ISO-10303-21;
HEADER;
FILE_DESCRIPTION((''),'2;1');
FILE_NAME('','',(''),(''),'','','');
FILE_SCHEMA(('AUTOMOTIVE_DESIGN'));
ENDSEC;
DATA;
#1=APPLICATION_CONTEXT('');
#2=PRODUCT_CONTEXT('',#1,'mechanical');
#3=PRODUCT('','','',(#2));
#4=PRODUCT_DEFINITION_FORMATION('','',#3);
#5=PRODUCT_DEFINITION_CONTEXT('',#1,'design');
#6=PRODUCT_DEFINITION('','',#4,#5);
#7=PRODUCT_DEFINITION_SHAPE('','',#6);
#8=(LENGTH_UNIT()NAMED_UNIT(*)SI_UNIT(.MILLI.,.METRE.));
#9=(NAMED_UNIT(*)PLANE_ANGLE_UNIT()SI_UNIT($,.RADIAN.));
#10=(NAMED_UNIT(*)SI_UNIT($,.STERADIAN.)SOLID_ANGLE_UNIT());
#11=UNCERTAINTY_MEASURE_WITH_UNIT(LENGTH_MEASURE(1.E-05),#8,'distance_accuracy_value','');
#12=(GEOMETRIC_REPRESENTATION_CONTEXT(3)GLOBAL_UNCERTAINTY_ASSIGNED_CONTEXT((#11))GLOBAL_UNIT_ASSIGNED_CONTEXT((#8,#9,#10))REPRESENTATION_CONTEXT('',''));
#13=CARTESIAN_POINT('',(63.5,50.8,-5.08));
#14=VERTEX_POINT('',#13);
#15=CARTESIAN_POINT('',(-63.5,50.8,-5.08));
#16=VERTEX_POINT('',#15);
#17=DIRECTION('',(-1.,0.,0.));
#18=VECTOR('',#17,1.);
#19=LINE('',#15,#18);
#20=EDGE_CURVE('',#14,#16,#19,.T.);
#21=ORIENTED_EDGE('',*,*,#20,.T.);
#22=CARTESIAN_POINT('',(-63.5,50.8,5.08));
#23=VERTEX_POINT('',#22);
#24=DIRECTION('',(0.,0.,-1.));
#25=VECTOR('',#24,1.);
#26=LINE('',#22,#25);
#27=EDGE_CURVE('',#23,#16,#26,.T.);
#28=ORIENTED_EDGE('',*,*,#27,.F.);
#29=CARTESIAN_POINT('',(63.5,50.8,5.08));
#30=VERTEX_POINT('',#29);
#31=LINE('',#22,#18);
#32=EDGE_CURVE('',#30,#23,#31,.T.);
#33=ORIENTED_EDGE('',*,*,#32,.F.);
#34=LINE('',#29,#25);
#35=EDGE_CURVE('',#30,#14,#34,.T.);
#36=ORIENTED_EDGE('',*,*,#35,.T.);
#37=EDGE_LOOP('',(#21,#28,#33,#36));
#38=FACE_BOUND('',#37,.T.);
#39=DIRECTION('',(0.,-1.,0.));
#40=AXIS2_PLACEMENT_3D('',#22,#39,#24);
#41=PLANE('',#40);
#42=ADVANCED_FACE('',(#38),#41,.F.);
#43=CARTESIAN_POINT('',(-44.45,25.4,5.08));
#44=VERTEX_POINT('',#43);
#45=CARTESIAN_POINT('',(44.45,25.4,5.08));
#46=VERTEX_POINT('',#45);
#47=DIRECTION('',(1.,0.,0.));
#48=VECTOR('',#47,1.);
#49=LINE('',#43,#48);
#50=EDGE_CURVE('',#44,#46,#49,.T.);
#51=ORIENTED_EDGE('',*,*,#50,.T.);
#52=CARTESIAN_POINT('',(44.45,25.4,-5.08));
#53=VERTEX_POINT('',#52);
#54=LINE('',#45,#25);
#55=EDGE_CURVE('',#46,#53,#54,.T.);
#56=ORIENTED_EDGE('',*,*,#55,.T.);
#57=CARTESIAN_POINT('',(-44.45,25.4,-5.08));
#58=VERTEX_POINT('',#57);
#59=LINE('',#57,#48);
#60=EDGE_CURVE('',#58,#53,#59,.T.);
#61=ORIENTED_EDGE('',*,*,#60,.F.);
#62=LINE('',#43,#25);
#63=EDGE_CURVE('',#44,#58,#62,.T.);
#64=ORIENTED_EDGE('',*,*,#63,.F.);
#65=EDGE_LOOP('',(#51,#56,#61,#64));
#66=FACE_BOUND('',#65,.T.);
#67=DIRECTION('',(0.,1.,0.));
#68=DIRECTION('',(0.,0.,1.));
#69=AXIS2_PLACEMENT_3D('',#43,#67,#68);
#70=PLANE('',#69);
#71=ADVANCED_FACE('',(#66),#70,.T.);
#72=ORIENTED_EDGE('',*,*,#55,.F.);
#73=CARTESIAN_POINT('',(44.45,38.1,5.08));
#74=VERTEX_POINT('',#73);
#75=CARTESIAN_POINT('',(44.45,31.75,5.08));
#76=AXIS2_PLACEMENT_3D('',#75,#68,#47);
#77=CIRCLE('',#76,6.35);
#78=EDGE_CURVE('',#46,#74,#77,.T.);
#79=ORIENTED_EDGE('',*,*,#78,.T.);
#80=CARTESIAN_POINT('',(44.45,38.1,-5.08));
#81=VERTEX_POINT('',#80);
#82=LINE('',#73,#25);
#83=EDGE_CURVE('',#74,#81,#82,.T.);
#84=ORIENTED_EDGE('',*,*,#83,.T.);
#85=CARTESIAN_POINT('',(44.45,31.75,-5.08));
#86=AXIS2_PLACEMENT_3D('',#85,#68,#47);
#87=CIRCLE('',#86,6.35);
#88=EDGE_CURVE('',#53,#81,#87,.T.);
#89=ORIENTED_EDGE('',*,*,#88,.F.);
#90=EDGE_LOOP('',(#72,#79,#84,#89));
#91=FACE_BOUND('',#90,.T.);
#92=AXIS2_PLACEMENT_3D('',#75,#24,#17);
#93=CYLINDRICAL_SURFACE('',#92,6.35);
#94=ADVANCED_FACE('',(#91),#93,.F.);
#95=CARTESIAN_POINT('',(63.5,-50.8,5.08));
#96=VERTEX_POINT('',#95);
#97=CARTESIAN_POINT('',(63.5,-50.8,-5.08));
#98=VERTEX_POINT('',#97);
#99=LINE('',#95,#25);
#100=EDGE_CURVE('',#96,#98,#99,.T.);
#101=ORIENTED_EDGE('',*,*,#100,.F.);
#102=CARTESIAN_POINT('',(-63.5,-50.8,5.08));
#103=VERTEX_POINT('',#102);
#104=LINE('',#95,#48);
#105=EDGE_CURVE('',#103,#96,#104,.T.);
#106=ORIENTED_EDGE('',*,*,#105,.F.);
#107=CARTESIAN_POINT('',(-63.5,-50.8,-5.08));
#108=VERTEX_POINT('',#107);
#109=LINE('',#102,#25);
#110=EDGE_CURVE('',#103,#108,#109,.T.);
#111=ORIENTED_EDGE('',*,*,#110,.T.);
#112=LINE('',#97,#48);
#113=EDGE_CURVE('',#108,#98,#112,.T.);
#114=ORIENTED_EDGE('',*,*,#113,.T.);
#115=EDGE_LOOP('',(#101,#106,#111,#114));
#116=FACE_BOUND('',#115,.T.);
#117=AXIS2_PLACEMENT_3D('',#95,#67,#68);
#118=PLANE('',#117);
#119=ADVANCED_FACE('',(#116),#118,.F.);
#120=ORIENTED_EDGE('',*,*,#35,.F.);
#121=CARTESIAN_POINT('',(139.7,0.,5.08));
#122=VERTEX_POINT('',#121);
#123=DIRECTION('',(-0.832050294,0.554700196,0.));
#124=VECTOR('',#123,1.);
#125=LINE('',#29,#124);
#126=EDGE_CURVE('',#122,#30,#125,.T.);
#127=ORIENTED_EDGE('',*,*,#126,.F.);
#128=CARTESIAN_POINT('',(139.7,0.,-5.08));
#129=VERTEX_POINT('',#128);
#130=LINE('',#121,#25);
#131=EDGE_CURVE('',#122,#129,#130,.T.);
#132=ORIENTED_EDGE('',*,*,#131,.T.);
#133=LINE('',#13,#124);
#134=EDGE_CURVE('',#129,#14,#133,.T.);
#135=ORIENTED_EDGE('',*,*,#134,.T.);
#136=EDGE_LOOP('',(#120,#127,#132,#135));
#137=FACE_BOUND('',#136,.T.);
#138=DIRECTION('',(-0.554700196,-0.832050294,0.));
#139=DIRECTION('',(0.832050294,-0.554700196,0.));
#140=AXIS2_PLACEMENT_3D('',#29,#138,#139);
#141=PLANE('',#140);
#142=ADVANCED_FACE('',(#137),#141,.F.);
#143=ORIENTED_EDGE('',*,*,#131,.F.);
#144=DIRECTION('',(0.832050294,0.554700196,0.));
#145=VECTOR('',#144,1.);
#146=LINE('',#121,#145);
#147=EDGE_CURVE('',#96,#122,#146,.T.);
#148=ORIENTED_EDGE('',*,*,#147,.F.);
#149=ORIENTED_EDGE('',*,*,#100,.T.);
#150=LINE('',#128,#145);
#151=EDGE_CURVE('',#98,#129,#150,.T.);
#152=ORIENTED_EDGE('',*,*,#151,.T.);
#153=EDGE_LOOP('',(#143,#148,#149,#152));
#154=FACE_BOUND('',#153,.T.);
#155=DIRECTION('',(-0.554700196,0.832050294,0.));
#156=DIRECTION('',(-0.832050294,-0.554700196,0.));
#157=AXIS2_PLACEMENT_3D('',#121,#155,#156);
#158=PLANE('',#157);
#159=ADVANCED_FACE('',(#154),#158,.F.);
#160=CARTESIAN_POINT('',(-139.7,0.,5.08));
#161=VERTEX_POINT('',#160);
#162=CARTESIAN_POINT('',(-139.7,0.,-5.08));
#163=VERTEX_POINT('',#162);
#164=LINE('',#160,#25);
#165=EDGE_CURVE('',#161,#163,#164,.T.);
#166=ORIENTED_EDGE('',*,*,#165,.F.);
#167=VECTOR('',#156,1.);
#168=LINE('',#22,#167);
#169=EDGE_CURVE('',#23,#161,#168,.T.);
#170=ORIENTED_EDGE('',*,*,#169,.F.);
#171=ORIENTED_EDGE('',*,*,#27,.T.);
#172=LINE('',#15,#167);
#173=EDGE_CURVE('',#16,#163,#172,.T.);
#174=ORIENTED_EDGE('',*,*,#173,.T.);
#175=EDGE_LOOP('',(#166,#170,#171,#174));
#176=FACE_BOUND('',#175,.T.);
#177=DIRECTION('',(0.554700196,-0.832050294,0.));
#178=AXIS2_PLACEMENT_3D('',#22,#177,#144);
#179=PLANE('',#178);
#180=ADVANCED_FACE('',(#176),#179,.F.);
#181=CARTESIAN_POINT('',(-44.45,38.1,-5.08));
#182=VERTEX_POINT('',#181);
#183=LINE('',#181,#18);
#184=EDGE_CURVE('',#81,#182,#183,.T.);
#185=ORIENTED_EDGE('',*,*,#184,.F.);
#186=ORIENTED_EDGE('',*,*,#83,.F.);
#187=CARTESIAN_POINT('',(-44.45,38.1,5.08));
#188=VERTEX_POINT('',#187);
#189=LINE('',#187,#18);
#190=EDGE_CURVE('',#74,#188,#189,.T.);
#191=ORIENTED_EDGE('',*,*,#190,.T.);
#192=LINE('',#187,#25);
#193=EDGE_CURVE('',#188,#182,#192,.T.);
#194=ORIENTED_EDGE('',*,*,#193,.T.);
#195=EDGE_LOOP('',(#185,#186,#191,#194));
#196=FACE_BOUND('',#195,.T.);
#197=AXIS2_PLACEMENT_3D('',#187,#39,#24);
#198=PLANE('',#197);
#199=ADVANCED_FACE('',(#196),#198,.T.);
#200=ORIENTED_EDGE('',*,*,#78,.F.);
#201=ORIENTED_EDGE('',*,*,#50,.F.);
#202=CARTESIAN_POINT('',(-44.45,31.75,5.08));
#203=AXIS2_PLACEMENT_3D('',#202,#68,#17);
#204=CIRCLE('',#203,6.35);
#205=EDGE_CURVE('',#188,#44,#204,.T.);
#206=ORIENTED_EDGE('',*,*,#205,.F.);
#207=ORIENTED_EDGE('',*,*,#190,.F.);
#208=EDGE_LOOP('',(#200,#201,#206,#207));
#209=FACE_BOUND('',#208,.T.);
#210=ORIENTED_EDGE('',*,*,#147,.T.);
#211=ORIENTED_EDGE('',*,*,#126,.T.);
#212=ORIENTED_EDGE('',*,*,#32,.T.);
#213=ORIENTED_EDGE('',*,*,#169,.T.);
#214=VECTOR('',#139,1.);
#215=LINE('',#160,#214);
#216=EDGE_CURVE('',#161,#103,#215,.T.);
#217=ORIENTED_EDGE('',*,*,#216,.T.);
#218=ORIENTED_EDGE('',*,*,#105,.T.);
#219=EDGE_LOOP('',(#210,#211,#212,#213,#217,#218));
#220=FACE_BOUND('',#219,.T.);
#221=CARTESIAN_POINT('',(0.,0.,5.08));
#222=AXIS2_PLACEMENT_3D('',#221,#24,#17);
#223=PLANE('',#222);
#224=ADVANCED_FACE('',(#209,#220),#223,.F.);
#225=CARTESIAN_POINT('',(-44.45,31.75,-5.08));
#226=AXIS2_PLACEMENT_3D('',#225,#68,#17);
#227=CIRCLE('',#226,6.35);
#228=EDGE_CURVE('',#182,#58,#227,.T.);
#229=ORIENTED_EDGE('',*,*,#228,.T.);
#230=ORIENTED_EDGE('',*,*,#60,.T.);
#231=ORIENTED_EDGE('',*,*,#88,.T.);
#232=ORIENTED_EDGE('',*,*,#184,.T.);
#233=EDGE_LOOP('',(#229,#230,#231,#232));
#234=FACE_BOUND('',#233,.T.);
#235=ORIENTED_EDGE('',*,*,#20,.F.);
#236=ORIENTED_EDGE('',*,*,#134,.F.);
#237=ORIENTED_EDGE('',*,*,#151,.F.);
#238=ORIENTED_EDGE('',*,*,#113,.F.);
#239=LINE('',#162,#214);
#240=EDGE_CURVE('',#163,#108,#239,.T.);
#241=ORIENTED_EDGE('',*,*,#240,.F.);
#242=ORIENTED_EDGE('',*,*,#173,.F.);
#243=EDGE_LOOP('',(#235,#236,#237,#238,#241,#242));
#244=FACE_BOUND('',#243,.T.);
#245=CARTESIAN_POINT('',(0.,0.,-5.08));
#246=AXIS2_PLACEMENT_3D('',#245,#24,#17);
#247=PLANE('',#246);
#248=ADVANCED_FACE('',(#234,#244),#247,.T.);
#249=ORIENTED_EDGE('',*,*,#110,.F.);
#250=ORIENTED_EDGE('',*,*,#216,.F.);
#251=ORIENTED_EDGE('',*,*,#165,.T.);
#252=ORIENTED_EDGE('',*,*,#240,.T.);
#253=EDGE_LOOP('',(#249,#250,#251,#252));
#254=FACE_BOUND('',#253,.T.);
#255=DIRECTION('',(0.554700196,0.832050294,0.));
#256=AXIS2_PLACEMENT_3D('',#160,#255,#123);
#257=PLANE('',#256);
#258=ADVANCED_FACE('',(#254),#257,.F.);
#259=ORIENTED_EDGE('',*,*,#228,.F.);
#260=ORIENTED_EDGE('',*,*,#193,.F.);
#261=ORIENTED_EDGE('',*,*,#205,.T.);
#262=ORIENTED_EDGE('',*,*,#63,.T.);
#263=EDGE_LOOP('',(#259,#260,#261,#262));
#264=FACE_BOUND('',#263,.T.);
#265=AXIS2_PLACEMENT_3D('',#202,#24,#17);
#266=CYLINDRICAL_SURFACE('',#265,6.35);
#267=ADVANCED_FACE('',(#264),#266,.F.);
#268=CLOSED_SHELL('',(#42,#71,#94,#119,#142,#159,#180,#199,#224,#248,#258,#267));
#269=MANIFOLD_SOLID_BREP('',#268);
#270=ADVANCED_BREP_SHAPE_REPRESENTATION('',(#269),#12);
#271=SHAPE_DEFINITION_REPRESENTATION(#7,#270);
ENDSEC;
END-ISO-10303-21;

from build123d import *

# Parameters (mm, degrees)
BOSS_EXTRUDE1_DEPTH = 5.08


with BuildPart() as part:
    # Sketch1 → Boss-Extrude1 (new, symmetric)
    with BuildSketch(Plane.XY):
        Polygon((-63.5, 50.8), (63.5, 50.8), (139.7, 0), (63.5, -50.8), (-63.5, -50.8), (-139.7, 0), align=None)
        with BuildLine():
            Line((-44.45, 38.1), (44.45, 38.1))
            ThreePointArc((44.45, 38.1), (50.8, 31.75), (44.45, 25.4))
            Line((44.45, 25.4), (-44.45, 25.4))
            ThreePointArc((-44.45, 25.4), (-50.8, 31.75), (-44.45, 38.1))
        make_face(mode=Mode.SUBTRACT)
    extrude(amount=BOSS_EXTRUDE1_DEPTH, both=True)


solid = part.part
